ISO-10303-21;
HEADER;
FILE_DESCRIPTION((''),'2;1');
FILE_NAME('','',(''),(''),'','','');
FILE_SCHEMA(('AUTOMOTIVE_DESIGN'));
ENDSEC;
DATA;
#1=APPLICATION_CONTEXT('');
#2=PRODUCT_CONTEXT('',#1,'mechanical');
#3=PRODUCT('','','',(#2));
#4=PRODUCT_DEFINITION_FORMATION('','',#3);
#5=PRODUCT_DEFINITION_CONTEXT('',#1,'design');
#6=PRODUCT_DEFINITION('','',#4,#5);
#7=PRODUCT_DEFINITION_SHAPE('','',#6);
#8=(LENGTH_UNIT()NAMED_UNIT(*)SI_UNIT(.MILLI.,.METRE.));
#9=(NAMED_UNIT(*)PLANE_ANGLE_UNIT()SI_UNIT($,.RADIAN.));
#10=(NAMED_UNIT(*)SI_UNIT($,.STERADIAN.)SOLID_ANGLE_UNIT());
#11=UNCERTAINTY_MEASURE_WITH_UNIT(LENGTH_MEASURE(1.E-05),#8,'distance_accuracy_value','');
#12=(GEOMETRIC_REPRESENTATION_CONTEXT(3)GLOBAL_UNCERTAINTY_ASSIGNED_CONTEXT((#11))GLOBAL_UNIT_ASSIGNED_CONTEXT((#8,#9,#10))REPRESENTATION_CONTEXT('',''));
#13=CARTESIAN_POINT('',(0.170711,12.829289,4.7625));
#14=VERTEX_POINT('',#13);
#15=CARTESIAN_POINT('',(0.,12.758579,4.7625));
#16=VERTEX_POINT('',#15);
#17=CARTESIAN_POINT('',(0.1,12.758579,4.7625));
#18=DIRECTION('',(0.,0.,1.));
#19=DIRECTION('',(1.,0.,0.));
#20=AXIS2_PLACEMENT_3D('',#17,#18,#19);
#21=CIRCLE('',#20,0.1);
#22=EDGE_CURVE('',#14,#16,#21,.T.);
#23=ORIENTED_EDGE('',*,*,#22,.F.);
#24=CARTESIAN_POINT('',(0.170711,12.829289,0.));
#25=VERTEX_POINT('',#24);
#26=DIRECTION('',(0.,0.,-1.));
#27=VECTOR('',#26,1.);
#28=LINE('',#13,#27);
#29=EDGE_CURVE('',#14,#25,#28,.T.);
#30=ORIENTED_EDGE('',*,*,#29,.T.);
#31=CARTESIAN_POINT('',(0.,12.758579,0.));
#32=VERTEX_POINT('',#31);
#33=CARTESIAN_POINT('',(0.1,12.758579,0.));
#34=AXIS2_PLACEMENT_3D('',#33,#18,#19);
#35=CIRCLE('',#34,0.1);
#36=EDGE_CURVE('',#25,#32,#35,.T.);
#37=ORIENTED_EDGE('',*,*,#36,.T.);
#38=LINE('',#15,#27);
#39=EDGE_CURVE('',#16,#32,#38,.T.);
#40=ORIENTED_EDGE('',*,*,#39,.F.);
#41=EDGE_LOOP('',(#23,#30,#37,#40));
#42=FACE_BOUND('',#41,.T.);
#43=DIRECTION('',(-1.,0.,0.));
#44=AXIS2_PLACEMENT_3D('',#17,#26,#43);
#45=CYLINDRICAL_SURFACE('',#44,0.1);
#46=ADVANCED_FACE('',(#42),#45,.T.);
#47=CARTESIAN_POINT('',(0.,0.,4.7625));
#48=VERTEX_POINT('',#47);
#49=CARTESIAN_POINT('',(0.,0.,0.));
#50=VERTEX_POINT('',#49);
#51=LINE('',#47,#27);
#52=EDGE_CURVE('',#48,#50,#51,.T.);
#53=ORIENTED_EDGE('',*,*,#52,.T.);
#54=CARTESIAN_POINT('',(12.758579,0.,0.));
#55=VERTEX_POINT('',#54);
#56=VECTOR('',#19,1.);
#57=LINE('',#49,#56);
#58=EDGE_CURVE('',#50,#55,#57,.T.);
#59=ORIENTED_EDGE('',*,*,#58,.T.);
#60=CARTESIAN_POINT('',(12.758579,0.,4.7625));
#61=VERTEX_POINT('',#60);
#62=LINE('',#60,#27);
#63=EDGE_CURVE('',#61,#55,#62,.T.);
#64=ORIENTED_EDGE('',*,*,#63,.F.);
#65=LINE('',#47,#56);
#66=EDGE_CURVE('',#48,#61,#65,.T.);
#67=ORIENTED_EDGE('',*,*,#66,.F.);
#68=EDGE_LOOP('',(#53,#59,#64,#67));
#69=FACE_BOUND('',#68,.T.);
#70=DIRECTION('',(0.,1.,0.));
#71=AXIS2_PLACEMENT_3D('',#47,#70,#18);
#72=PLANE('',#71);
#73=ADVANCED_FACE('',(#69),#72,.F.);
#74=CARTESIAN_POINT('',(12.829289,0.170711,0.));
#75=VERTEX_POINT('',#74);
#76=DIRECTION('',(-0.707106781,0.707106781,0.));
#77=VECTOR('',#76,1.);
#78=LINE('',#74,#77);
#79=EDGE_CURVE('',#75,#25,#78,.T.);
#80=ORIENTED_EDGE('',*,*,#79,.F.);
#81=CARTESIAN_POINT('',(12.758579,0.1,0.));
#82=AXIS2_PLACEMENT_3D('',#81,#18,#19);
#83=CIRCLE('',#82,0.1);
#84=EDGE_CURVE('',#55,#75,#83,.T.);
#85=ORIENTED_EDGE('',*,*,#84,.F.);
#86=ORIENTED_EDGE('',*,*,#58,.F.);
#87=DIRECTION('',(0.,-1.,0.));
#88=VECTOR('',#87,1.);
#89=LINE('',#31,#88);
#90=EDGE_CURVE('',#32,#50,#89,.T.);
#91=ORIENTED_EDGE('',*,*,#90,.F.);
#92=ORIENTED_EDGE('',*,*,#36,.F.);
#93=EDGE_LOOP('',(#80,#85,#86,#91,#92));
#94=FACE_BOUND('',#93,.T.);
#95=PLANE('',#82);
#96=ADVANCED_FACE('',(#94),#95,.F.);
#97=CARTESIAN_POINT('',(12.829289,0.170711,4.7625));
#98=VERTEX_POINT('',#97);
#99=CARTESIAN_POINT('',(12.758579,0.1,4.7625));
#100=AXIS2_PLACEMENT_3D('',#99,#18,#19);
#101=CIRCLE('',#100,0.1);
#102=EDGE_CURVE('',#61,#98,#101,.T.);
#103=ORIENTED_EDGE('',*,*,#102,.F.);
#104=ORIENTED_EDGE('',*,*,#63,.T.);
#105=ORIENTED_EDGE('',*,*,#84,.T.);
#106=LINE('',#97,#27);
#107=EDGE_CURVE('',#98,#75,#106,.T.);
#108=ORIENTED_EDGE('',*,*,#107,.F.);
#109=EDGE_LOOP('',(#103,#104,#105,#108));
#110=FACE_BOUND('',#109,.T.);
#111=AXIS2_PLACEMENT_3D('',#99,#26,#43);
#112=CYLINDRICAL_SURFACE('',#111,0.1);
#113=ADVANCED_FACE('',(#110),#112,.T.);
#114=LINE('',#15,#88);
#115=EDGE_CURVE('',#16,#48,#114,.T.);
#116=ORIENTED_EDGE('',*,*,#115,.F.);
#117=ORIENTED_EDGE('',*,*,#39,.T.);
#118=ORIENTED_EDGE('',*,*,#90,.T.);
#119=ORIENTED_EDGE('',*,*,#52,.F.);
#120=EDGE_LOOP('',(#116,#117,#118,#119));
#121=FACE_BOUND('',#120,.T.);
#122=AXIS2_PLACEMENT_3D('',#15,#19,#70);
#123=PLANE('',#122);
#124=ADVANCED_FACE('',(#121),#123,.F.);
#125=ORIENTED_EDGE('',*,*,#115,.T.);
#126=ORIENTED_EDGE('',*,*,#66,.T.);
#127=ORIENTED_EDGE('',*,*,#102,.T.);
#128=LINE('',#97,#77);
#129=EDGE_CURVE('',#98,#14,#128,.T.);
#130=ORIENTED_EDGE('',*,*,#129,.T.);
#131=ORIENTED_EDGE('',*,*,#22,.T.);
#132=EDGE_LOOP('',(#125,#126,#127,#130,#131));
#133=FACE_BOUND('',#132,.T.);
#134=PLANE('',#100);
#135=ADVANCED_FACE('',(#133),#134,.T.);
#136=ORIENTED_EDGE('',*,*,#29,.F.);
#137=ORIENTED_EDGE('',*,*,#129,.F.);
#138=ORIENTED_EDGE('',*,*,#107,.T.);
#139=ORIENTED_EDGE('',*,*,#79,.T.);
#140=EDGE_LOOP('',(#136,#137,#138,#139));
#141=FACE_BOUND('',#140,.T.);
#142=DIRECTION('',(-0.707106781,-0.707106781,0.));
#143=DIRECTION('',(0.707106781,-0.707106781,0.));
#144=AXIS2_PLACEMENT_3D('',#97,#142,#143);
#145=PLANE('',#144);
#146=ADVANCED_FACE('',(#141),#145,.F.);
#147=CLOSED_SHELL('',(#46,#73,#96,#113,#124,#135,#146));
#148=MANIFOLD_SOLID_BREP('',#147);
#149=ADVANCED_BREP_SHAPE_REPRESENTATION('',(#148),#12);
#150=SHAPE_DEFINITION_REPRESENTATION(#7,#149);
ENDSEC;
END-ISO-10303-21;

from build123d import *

# Parameters (mm, degrees)
BOSS_EXTRUDE1_DEPTH = 4.7625


with BuildPart() as part:
    # Sketch1 → Boss-Extrude1 (new body)
    with BuildSketch(Plane.XY):
        with BuildLine():
            Line((0, 0), (12.758578644, 0))
            ThreePointArc((12.758578644, 0), (12.850966597, 0.061731657), (12.829289322, 0.170710678))
            Line((12.829289322, 0.170710678), (0.170710678, 12.829289322))
            ThreePointArc((0.170710678, 12.829289322), (0.061731657, 12.850966597), (0, 12.758578644))
            Line((0, 12.758578644), (0, 0))
        make_face()
    extrude(amount=BOSS_EXTRUDE1_DEPTH)


solid = part.part
